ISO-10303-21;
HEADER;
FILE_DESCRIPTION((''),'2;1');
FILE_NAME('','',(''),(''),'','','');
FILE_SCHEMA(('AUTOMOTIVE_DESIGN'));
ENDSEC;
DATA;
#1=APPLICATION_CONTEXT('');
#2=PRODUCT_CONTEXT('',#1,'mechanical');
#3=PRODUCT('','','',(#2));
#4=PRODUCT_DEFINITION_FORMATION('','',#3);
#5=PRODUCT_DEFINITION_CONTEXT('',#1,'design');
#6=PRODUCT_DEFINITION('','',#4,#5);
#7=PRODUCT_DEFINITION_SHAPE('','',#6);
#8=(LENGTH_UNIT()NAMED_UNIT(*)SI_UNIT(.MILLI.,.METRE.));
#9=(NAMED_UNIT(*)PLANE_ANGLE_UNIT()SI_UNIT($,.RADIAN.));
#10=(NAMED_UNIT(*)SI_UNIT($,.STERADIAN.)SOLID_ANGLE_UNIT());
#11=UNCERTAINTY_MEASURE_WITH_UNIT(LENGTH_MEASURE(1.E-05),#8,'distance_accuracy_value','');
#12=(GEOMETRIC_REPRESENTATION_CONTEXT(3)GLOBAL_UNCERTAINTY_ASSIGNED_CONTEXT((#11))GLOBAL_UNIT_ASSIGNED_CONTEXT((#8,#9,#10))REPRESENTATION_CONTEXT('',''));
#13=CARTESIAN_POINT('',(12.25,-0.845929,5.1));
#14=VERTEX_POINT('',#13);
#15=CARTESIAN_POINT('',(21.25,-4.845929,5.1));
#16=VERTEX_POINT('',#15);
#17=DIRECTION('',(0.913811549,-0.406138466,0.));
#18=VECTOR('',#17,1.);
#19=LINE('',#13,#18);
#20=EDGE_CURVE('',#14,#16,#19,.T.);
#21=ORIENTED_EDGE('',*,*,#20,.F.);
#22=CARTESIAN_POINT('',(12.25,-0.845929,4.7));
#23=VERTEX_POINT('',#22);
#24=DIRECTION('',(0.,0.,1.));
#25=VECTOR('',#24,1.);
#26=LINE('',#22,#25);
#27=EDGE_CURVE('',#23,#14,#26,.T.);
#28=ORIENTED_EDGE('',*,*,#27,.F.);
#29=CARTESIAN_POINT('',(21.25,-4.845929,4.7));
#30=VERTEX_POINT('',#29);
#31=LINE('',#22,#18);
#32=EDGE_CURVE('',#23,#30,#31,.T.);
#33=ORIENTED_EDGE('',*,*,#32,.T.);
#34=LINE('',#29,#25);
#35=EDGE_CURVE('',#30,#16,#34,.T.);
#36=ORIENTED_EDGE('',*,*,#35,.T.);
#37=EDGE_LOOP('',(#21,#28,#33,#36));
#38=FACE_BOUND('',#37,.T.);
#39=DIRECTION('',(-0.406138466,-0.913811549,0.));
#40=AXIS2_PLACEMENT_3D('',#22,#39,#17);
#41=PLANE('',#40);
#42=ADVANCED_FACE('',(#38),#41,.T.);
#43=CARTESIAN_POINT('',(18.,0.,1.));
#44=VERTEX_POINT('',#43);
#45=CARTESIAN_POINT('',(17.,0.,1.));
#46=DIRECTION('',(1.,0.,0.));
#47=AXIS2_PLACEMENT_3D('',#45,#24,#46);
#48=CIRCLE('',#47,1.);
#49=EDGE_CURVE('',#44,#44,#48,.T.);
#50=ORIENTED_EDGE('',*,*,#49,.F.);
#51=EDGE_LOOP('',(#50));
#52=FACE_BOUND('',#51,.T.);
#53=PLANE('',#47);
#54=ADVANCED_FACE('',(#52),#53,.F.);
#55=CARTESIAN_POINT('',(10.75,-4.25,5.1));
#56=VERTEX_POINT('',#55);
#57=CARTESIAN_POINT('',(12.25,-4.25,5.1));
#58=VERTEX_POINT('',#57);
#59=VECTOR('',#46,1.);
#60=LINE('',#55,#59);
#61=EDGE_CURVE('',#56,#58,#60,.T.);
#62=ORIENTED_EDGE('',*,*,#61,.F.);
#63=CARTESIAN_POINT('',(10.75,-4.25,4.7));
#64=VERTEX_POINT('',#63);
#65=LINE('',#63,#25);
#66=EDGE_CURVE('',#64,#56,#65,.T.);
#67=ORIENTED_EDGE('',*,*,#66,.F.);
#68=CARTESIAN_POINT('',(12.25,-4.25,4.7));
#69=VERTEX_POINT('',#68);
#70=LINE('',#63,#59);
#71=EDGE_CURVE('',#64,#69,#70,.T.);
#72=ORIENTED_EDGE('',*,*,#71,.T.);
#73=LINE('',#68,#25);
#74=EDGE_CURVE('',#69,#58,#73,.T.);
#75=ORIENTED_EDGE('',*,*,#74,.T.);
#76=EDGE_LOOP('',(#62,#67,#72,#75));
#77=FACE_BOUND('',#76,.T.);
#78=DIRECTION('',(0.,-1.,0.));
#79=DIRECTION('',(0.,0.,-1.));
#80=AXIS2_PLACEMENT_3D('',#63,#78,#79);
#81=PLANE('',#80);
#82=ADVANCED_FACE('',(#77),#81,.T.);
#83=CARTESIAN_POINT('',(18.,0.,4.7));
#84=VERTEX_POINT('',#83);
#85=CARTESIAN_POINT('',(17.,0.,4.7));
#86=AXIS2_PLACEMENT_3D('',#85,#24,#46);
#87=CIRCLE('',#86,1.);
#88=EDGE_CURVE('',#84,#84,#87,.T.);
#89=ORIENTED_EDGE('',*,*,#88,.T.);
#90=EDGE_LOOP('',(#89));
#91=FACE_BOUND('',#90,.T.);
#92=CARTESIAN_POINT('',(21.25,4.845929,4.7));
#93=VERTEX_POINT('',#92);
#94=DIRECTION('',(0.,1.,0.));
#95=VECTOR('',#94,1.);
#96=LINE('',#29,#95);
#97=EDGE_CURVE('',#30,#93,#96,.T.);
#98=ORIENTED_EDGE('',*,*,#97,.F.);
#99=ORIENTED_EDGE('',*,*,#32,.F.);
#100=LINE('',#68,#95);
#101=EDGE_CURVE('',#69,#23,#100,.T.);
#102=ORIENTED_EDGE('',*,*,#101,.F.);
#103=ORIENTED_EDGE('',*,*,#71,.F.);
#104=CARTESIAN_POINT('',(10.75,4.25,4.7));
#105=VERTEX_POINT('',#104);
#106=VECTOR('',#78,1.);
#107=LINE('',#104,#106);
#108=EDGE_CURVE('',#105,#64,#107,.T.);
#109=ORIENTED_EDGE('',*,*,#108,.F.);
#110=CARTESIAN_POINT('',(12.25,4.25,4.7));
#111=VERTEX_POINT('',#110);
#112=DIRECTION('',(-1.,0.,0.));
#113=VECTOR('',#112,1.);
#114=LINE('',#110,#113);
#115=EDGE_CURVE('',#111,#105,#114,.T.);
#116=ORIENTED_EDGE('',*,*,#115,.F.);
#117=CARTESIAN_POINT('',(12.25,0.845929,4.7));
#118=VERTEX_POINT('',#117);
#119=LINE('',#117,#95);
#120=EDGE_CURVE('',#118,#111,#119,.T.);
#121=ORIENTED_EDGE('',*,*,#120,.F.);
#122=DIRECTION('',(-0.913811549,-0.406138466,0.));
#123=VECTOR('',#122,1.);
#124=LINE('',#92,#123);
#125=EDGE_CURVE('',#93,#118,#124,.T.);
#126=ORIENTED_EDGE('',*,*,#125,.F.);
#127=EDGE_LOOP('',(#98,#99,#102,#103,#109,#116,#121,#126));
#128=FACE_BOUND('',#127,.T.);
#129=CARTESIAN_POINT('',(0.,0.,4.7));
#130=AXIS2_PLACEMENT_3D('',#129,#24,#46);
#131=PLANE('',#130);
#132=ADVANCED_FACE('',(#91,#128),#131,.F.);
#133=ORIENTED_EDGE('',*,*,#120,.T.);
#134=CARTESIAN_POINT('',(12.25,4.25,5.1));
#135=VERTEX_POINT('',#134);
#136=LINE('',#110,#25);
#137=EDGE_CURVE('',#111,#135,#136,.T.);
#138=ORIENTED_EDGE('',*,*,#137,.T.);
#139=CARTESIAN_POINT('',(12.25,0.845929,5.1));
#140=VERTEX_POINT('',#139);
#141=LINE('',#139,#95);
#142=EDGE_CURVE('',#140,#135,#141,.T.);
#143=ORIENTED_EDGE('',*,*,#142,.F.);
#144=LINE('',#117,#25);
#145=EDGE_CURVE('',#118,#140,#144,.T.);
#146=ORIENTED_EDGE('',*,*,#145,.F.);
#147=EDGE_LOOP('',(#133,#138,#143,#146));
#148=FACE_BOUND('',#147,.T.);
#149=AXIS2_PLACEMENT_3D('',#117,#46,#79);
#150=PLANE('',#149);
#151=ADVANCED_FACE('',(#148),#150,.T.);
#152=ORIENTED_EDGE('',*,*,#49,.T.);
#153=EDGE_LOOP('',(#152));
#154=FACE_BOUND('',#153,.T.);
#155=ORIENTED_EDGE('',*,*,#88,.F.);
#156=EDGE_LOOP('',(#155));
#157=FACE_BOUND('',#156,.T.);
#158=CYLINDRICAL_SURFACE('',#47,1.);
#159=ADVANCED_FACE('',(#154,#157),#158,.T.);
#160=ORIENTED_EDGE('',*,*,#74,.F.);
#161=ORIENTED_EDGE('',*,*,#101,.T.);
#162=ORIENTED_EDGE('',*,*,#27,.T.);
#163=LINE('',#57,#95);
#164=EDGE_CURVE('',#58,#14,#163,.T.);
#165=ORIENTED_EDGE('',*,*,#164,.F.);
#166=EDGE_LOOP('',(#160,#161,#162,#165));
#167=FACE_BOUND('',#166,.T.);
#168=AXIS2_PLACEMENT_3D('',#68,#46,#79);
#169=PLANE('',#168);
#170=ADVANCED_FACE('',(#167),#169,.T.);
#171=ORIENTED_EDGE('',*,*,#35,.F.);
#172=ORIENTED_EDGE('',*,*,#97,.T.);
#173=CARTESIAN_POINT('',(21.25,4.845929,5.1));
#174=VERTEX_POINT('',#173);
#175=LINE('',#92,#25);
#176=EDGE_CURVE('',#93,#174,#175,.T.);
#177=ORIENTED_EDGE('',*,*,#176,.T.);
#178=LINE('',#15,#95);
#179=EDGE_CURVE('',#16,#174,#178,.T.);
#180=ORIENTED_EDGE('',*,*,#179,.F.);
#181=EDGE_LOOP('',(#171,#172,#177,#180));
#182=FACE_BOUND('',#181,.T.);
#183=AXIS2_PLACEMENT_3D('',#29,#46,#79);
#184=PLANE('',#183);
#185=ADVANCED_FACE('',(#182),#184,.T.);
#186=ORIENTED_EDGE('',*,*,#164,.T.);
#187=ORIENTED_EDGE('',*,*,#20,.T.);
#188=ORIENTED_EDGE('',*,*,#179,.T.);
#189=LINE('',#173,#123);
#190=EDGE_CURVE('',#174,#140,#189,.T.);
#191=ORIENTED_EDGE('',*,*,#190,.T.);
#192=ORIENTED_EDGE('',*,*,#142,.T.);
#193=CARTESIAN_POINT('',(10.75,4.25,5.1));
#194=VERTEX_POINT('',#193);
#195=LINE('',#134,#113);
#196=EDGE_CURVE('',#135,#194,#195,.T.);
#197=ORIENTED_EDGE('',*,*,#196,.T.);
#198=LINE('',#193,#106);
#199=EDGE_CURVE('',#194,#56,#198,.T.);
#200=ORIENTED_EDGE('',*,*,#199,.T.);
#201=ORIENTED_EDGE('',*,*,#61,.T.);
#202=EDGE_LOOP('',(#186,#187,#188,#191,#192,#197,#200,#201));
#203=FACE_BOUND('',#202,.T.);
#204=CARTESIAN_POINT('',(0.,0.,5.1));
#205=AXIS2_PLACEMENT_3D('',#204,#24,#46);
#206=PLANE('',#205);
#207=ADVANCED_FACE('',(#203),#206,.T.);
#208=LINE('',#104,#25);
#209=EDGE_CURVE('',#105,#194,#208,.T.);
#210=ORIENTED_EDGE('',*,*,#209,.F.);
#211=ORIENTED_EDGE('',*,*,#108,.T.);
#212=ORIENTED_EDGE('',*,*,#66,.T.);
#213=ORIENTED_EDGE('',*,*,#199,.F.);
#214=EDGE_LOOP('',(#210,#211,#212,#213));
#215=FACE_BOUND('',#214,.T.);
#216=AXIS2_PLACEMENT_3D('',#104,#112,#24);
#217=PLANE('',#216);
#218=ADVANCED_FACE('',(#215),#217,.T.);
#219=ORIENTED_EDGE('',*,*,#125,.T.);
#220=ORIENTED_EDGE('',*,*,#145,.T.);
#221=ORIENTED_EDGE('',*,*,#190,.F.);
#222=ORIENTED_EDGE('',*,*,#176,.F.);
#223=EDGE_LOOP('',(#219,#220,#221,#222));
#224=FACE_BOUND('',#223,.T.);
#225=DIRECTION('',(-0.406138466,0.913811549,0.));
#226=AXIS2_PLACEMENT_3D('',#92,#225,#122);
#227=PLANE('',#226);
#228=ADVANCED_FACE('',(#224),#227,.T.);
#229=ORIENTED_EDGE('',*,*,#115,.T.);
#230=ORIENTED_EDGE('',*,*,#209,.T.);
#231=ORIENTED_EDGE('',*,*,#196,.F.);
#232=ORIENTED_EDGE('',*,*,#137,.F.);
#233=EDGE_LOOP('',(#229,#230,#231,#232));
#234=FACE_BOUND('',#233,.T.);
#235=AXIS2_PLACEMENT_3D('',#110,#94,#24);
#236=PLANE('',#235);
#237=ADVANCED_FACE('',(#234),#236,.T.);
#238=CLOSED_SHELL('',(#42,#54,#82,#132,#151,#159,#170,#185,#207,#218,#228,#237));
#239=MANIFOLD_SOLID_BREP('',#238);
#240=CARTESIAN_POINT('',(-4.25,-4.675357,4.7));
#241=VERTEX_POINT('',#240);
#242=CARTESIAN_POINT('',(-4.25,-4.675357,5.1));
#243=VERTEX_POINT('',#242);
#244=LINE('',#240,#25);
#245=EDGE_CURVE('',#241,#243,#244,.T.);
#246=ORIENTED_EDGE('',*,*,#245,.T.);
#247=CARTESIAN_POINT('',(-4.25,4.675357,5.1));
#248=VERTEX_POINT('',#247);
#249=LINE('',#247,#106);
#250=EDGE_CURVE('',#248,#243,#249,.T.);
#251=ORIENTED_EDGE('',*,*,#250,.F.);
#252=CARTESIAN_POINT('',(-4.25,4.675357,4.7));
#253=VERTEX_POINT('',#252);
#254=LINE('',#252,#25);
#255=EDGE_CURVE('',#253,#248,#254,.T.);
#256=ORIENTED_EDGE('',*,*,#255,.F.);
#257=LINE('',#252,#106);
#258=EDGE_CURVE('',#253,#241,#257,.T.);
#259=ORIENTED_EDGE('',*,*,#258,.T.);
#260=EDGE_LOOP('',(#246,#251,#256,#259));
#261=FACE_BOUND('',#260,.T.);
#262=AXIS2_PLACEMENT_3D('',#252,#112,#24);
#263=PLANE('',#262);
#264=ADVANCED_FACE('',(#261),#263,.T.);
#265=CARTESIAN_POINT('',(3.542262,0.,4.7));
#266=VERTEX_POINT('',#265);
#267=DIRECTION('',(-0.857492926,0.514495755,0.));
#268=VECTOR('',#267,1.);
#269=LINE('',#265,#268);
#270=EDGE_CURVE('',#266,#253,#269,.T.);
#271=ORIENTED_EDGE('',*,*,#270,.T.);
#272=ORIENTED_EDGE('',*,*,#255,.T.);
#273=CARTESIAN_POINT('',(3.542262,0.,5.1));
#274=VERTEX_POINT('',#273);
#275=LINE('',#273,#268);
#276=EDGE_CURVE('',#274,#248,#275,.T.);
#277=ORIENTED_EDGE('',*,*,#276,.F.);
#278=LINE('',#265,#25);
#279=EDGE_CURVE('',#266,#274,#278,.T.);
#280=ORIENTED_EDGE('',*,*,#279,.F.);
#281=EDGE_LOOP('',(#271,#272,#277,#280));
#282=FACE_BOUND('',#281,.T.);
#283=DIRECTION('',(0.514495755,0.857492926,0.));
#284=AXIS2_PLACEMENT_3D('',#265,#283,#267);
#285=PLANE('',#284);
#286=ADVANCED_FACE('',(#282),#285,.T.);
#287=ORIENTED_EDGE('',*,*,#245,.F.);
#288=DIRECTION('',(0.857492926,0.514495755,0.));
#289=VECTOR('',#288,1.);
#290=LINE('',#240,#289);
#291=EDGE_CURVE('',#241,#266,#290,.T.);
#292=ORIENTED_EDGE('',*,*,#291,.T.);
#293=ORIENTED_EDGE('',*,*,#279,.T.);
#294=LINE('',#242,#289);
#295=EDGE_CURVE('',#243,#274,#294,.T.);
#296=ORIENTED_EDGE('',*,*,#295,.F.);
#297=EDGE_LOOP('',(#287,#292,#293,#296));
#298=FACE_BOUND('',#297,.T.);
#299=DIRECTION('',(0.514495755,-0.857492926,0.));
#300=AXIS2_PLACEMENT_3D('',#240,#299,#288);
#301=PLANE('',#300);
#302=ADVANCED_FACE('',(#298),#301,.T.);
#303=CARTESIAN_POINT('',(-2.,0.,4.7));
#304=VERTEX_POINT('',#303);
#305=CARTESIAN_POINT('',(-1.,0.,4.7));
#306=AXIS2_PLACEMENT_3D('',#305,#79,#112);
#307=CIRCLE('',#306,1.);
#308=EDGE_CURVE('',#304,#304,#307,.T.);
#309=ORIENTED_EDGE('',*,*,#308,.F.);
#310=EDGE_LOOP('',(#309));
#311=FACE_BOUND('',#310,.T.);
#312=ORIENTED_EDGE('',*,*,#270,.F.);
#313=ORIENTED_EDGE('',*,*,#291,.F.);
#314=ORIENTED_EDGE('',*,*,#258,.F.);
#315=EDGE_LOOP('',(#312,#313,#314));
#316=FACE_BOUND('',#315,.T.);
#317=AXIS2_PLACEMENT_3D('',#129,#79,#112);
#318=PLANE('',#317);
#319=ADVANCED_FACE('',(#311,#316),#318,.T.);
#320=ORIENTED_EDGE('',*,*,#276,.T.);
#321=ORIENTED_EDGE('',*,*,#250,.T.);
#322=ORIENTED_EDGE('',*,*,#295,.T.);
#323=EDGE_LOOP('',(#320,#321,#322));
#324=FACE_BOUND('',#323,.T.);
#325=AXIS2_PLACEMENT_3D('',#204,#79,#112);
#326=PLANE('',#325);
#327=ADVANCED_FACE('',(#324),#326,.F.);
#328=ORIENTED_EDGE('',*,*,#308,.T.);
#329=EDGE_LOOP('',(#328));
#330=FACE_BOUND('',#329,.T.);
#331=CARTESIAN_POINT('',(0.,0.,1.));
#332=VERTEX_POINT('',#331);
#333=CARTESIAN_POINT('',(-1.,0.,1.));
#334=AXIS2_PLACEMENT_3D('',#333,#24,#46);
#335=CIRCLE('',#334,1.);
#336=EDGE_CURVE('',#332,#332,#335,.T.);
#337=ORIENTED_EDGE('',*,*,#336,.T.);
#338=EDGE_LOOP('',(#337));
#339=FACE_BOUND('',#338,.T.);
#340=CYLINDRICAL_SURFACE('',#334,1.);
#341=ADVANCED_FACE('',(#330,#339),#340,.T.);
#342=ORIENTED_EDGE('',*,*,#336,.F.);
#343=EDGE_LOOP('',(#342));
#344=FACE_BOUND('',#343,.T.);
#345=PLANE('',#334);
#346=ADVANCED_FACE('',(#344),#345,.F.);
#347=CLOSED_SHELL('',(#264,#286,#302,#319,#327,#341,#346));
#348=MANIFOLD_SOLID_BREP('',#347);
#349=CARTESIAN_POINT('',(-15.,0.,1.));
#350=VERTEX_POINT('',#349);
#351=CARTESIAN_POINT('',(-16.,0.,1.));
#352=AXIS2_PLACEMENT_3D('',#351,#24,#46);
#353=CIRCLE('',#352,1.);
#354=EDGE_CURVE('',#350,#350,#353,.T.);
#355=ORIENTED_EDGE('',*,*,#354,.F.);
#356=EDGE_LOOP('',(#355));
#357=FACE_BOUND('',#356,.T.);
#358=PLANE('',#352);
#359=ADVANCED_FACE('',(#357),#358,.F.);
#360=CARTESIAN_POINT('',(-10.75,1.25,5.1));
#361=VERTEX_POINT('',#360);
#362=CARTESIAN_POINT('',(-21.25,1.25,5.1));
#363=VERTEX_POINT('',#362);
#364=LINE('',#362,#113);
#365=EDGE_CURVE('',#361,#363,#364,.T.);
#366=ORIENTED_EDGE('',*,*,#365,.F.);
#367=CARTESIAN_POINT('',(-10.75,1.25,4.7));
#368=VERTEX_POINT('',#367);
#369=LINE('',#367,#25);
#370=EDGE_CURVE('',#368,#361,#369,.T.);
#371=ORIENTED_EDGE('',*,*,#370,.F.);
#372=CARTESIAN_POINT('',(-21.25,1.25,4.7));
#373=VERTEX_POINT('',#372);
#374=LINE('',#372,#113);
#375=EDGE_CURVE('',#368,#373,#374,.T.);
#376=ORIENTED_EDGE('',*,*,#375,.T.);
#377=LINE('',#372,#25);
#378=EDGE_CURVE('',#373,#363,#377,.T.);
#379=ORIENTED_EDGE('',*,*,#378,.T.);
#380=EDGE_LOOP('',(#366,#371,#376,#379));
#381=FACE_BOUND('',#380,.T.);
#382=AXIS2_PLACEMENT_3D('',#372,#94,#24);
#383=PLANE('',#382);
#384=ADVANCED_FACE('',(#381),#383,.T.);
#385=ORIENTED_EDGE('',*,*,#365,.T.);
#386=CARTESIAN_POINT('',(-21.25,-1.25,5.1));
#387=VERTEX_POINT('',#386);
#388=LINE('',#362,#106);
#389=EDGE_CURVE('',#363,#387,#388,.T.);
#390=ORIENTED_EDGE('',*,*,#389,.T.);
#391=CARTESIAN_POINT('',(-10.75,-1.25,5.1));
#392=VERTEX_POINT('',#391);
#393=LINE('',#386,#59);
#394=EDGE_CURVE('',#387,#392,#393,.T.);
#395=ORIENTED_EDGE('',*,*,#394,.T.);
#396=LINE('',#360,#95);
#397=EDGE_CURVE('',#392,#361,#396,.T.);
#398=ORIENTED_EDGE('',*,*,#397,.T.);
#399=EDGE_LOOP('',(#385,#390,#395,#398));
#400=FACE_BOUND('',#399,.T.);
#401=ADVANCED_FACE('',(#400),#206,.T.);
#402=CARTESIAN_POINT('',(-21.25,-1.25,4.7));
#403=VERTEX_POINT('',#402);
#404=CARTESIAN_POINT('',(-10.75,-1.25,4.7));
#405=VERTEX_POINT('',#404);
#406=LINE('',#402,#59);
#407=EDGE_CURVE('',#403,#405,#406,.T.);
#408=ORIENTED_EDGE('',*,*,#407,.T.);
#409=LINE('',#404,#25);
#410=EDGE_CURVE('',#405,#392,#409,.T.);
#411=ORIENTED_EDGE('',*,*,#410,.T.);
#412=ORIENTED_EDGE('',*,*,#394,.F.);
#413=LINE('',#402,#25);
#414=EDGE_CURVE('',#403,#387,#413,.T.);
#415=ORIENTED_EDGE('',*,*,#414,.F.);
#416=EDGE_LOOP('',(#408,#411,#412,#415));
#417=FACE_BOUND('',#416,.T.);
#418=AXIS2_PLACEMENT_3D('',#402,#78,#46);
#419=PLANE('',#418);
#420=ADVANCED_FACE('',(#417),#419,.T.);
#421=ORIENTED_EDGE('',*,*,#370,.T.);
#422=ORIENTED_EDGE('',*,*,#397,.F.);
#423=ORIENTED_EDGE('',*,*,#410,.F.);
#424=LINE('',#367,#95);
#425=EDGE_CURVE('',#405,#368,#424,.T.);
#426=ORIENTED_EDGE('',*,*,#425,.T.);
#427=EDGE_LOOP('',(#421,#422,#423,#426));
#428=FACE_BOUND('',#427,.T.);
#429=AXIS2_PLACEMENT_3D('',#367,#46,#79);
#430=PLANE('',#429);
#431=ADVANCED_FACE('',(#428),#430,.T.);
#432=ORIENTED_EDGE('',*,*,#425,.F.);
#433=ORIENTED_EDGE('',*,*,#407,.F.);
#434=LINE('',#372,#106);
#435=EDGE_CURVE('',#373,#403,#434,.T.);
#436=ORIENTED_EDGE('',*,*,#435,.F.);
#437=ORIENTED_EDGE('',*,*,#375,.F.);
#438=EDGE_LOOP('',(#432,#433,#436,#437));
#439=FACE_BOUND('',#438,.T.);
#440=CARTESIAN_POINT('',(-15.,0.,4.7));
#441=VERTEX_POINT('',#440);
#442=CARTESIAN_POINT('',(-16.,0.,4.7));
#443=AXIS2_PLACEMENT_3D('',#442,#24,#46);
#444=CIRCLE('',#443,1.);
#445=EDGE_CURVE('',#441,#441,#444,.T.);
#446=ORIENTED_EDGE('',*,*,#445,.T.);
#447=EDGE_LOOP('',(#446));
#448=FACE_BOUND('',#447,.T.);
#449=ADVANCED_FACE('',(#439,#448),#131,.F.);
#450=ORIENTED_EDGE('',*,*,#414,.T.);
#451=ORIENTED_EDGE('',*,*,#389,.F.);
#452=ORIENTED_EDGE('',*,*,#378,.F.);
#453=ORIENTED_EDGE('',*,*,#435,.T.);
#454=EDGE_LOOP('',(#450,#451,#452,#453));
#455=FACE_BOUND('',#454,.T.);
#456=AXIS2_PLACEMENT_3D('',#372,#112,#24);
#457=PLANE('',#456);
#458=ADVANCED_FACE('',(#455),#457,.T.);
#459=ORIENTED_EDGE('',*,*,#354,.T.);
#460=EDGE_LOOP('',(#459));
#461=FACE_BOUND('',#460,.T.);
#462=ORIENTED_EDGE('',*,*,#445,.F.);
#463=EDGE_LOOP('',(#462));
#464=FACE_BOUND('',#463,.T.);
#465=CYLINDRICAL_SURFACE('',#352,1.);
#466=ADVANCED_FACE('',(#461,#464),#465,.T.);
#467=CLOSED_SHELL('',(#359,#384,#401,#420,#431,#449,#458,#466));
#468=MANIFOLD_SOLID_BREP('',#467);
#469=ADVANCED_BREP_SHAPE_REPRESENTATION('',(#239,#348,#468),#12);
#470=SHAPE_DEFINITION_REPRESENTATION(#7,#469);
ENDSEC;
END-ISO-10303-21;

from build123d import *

# Parameters (mm, degrees)
BOSS_EXTRUDE3_DEPTH        = 0.1
BOSS_EXTRUDE3_DEPTH_BACK   = 0.3
BOSS_EXTRUDE3_2_DEPTH      = 0.1
BOSS_EXTRUDE3_2_DEPTH_BACK = 0.3
SKETCH5_W                  = 10.5
SKETCH5_H                  = 2.5
BOSS_EXTRUDE3_3_DEPTH      = 0.1
BOSS_EXTRUDE3_3_DEPTH_BACK = 0.3
SKETCH6_R                  = 1
BOSS_EXTRUDE4_DEPTH        = 4


with BuildPart() as part:
    # Sketch5 → Boss-Extrude3 (new body, two sides)
    with BuildSketch(Plane.XY.offset(5)) as boss_extrude3_sk:
        Polygon((-4.25, 4.675357216), (-4.25, -4.675357216), (3.542262026, 0), align=None)
    extrude(amount=BOSS_EXTRUDE3_DEPTH)
    extrude(boss_extrude3_sk.sketch, amount=-BOSS_EXTRUDE3_DEPTH_BACK)



with BuildPart() as body_2:
    # Sketch5 → Boss-Extrude3 2 (new body, two sides)
    with BuildSketch(Plane.XY.offset(5)) as boss_extrude3_2_sk:
        Polygon((10.75, 4.25), (10.75, -4.25), (12.25, -4.25), (12.25, -0.845928517), (21.25, -4.845928517), (21.25, 4.845928517), (12.25, 0.845928517), (12.25, 4.25), align=None)
    extrude(amount=BOSS_EXTRUDE3_2_DEPTH)
    extrude(boss_extrude3_2_sk.sketch, amount=-BOSS_EXTRUDE3_2_DEPTH_BACK)


with BuildPart() as body_3:
    # Sketch5 → Boss-Extrude3 3 (new body, two sides)
    with BuildSketch(Plane.XY.offset(5)) as boss_extrude3_3_sk:
        with Locations((-16, 0)):
            Rectangle(SKETCH5_W, SKETCH5_H)
    extrude(amount=BOSS_EXTRUDE3_3_DEPTH)
    extrude(boss_extrude3_3_sk.sketch, amount=-BOSS_EXTRUDE3_3_DEPTH_BACK)


with BuildPart() as part_1:
    add(part.part)

    add(body_2.part)  # Boss-Extrude4 merges body 2

    add(body_3.part)  # Boss-Extrude4 merges body 3
    # Sketch6 → Boss-Extrude4 (add)
    with BuildSketch(Plane.XY.offset(5)):
        with Locations((-16, 0)):
            Circle(SKETCH6_R)
        with Locations((-1, 0)):
            Circle(SKETCH6_R)
        with Locations((17, 0)):
            Circle(SKETCH6_R)
    extrude(amount=-BOSS_EXTRUDE4_DEPTH)


solid = part_1.part
